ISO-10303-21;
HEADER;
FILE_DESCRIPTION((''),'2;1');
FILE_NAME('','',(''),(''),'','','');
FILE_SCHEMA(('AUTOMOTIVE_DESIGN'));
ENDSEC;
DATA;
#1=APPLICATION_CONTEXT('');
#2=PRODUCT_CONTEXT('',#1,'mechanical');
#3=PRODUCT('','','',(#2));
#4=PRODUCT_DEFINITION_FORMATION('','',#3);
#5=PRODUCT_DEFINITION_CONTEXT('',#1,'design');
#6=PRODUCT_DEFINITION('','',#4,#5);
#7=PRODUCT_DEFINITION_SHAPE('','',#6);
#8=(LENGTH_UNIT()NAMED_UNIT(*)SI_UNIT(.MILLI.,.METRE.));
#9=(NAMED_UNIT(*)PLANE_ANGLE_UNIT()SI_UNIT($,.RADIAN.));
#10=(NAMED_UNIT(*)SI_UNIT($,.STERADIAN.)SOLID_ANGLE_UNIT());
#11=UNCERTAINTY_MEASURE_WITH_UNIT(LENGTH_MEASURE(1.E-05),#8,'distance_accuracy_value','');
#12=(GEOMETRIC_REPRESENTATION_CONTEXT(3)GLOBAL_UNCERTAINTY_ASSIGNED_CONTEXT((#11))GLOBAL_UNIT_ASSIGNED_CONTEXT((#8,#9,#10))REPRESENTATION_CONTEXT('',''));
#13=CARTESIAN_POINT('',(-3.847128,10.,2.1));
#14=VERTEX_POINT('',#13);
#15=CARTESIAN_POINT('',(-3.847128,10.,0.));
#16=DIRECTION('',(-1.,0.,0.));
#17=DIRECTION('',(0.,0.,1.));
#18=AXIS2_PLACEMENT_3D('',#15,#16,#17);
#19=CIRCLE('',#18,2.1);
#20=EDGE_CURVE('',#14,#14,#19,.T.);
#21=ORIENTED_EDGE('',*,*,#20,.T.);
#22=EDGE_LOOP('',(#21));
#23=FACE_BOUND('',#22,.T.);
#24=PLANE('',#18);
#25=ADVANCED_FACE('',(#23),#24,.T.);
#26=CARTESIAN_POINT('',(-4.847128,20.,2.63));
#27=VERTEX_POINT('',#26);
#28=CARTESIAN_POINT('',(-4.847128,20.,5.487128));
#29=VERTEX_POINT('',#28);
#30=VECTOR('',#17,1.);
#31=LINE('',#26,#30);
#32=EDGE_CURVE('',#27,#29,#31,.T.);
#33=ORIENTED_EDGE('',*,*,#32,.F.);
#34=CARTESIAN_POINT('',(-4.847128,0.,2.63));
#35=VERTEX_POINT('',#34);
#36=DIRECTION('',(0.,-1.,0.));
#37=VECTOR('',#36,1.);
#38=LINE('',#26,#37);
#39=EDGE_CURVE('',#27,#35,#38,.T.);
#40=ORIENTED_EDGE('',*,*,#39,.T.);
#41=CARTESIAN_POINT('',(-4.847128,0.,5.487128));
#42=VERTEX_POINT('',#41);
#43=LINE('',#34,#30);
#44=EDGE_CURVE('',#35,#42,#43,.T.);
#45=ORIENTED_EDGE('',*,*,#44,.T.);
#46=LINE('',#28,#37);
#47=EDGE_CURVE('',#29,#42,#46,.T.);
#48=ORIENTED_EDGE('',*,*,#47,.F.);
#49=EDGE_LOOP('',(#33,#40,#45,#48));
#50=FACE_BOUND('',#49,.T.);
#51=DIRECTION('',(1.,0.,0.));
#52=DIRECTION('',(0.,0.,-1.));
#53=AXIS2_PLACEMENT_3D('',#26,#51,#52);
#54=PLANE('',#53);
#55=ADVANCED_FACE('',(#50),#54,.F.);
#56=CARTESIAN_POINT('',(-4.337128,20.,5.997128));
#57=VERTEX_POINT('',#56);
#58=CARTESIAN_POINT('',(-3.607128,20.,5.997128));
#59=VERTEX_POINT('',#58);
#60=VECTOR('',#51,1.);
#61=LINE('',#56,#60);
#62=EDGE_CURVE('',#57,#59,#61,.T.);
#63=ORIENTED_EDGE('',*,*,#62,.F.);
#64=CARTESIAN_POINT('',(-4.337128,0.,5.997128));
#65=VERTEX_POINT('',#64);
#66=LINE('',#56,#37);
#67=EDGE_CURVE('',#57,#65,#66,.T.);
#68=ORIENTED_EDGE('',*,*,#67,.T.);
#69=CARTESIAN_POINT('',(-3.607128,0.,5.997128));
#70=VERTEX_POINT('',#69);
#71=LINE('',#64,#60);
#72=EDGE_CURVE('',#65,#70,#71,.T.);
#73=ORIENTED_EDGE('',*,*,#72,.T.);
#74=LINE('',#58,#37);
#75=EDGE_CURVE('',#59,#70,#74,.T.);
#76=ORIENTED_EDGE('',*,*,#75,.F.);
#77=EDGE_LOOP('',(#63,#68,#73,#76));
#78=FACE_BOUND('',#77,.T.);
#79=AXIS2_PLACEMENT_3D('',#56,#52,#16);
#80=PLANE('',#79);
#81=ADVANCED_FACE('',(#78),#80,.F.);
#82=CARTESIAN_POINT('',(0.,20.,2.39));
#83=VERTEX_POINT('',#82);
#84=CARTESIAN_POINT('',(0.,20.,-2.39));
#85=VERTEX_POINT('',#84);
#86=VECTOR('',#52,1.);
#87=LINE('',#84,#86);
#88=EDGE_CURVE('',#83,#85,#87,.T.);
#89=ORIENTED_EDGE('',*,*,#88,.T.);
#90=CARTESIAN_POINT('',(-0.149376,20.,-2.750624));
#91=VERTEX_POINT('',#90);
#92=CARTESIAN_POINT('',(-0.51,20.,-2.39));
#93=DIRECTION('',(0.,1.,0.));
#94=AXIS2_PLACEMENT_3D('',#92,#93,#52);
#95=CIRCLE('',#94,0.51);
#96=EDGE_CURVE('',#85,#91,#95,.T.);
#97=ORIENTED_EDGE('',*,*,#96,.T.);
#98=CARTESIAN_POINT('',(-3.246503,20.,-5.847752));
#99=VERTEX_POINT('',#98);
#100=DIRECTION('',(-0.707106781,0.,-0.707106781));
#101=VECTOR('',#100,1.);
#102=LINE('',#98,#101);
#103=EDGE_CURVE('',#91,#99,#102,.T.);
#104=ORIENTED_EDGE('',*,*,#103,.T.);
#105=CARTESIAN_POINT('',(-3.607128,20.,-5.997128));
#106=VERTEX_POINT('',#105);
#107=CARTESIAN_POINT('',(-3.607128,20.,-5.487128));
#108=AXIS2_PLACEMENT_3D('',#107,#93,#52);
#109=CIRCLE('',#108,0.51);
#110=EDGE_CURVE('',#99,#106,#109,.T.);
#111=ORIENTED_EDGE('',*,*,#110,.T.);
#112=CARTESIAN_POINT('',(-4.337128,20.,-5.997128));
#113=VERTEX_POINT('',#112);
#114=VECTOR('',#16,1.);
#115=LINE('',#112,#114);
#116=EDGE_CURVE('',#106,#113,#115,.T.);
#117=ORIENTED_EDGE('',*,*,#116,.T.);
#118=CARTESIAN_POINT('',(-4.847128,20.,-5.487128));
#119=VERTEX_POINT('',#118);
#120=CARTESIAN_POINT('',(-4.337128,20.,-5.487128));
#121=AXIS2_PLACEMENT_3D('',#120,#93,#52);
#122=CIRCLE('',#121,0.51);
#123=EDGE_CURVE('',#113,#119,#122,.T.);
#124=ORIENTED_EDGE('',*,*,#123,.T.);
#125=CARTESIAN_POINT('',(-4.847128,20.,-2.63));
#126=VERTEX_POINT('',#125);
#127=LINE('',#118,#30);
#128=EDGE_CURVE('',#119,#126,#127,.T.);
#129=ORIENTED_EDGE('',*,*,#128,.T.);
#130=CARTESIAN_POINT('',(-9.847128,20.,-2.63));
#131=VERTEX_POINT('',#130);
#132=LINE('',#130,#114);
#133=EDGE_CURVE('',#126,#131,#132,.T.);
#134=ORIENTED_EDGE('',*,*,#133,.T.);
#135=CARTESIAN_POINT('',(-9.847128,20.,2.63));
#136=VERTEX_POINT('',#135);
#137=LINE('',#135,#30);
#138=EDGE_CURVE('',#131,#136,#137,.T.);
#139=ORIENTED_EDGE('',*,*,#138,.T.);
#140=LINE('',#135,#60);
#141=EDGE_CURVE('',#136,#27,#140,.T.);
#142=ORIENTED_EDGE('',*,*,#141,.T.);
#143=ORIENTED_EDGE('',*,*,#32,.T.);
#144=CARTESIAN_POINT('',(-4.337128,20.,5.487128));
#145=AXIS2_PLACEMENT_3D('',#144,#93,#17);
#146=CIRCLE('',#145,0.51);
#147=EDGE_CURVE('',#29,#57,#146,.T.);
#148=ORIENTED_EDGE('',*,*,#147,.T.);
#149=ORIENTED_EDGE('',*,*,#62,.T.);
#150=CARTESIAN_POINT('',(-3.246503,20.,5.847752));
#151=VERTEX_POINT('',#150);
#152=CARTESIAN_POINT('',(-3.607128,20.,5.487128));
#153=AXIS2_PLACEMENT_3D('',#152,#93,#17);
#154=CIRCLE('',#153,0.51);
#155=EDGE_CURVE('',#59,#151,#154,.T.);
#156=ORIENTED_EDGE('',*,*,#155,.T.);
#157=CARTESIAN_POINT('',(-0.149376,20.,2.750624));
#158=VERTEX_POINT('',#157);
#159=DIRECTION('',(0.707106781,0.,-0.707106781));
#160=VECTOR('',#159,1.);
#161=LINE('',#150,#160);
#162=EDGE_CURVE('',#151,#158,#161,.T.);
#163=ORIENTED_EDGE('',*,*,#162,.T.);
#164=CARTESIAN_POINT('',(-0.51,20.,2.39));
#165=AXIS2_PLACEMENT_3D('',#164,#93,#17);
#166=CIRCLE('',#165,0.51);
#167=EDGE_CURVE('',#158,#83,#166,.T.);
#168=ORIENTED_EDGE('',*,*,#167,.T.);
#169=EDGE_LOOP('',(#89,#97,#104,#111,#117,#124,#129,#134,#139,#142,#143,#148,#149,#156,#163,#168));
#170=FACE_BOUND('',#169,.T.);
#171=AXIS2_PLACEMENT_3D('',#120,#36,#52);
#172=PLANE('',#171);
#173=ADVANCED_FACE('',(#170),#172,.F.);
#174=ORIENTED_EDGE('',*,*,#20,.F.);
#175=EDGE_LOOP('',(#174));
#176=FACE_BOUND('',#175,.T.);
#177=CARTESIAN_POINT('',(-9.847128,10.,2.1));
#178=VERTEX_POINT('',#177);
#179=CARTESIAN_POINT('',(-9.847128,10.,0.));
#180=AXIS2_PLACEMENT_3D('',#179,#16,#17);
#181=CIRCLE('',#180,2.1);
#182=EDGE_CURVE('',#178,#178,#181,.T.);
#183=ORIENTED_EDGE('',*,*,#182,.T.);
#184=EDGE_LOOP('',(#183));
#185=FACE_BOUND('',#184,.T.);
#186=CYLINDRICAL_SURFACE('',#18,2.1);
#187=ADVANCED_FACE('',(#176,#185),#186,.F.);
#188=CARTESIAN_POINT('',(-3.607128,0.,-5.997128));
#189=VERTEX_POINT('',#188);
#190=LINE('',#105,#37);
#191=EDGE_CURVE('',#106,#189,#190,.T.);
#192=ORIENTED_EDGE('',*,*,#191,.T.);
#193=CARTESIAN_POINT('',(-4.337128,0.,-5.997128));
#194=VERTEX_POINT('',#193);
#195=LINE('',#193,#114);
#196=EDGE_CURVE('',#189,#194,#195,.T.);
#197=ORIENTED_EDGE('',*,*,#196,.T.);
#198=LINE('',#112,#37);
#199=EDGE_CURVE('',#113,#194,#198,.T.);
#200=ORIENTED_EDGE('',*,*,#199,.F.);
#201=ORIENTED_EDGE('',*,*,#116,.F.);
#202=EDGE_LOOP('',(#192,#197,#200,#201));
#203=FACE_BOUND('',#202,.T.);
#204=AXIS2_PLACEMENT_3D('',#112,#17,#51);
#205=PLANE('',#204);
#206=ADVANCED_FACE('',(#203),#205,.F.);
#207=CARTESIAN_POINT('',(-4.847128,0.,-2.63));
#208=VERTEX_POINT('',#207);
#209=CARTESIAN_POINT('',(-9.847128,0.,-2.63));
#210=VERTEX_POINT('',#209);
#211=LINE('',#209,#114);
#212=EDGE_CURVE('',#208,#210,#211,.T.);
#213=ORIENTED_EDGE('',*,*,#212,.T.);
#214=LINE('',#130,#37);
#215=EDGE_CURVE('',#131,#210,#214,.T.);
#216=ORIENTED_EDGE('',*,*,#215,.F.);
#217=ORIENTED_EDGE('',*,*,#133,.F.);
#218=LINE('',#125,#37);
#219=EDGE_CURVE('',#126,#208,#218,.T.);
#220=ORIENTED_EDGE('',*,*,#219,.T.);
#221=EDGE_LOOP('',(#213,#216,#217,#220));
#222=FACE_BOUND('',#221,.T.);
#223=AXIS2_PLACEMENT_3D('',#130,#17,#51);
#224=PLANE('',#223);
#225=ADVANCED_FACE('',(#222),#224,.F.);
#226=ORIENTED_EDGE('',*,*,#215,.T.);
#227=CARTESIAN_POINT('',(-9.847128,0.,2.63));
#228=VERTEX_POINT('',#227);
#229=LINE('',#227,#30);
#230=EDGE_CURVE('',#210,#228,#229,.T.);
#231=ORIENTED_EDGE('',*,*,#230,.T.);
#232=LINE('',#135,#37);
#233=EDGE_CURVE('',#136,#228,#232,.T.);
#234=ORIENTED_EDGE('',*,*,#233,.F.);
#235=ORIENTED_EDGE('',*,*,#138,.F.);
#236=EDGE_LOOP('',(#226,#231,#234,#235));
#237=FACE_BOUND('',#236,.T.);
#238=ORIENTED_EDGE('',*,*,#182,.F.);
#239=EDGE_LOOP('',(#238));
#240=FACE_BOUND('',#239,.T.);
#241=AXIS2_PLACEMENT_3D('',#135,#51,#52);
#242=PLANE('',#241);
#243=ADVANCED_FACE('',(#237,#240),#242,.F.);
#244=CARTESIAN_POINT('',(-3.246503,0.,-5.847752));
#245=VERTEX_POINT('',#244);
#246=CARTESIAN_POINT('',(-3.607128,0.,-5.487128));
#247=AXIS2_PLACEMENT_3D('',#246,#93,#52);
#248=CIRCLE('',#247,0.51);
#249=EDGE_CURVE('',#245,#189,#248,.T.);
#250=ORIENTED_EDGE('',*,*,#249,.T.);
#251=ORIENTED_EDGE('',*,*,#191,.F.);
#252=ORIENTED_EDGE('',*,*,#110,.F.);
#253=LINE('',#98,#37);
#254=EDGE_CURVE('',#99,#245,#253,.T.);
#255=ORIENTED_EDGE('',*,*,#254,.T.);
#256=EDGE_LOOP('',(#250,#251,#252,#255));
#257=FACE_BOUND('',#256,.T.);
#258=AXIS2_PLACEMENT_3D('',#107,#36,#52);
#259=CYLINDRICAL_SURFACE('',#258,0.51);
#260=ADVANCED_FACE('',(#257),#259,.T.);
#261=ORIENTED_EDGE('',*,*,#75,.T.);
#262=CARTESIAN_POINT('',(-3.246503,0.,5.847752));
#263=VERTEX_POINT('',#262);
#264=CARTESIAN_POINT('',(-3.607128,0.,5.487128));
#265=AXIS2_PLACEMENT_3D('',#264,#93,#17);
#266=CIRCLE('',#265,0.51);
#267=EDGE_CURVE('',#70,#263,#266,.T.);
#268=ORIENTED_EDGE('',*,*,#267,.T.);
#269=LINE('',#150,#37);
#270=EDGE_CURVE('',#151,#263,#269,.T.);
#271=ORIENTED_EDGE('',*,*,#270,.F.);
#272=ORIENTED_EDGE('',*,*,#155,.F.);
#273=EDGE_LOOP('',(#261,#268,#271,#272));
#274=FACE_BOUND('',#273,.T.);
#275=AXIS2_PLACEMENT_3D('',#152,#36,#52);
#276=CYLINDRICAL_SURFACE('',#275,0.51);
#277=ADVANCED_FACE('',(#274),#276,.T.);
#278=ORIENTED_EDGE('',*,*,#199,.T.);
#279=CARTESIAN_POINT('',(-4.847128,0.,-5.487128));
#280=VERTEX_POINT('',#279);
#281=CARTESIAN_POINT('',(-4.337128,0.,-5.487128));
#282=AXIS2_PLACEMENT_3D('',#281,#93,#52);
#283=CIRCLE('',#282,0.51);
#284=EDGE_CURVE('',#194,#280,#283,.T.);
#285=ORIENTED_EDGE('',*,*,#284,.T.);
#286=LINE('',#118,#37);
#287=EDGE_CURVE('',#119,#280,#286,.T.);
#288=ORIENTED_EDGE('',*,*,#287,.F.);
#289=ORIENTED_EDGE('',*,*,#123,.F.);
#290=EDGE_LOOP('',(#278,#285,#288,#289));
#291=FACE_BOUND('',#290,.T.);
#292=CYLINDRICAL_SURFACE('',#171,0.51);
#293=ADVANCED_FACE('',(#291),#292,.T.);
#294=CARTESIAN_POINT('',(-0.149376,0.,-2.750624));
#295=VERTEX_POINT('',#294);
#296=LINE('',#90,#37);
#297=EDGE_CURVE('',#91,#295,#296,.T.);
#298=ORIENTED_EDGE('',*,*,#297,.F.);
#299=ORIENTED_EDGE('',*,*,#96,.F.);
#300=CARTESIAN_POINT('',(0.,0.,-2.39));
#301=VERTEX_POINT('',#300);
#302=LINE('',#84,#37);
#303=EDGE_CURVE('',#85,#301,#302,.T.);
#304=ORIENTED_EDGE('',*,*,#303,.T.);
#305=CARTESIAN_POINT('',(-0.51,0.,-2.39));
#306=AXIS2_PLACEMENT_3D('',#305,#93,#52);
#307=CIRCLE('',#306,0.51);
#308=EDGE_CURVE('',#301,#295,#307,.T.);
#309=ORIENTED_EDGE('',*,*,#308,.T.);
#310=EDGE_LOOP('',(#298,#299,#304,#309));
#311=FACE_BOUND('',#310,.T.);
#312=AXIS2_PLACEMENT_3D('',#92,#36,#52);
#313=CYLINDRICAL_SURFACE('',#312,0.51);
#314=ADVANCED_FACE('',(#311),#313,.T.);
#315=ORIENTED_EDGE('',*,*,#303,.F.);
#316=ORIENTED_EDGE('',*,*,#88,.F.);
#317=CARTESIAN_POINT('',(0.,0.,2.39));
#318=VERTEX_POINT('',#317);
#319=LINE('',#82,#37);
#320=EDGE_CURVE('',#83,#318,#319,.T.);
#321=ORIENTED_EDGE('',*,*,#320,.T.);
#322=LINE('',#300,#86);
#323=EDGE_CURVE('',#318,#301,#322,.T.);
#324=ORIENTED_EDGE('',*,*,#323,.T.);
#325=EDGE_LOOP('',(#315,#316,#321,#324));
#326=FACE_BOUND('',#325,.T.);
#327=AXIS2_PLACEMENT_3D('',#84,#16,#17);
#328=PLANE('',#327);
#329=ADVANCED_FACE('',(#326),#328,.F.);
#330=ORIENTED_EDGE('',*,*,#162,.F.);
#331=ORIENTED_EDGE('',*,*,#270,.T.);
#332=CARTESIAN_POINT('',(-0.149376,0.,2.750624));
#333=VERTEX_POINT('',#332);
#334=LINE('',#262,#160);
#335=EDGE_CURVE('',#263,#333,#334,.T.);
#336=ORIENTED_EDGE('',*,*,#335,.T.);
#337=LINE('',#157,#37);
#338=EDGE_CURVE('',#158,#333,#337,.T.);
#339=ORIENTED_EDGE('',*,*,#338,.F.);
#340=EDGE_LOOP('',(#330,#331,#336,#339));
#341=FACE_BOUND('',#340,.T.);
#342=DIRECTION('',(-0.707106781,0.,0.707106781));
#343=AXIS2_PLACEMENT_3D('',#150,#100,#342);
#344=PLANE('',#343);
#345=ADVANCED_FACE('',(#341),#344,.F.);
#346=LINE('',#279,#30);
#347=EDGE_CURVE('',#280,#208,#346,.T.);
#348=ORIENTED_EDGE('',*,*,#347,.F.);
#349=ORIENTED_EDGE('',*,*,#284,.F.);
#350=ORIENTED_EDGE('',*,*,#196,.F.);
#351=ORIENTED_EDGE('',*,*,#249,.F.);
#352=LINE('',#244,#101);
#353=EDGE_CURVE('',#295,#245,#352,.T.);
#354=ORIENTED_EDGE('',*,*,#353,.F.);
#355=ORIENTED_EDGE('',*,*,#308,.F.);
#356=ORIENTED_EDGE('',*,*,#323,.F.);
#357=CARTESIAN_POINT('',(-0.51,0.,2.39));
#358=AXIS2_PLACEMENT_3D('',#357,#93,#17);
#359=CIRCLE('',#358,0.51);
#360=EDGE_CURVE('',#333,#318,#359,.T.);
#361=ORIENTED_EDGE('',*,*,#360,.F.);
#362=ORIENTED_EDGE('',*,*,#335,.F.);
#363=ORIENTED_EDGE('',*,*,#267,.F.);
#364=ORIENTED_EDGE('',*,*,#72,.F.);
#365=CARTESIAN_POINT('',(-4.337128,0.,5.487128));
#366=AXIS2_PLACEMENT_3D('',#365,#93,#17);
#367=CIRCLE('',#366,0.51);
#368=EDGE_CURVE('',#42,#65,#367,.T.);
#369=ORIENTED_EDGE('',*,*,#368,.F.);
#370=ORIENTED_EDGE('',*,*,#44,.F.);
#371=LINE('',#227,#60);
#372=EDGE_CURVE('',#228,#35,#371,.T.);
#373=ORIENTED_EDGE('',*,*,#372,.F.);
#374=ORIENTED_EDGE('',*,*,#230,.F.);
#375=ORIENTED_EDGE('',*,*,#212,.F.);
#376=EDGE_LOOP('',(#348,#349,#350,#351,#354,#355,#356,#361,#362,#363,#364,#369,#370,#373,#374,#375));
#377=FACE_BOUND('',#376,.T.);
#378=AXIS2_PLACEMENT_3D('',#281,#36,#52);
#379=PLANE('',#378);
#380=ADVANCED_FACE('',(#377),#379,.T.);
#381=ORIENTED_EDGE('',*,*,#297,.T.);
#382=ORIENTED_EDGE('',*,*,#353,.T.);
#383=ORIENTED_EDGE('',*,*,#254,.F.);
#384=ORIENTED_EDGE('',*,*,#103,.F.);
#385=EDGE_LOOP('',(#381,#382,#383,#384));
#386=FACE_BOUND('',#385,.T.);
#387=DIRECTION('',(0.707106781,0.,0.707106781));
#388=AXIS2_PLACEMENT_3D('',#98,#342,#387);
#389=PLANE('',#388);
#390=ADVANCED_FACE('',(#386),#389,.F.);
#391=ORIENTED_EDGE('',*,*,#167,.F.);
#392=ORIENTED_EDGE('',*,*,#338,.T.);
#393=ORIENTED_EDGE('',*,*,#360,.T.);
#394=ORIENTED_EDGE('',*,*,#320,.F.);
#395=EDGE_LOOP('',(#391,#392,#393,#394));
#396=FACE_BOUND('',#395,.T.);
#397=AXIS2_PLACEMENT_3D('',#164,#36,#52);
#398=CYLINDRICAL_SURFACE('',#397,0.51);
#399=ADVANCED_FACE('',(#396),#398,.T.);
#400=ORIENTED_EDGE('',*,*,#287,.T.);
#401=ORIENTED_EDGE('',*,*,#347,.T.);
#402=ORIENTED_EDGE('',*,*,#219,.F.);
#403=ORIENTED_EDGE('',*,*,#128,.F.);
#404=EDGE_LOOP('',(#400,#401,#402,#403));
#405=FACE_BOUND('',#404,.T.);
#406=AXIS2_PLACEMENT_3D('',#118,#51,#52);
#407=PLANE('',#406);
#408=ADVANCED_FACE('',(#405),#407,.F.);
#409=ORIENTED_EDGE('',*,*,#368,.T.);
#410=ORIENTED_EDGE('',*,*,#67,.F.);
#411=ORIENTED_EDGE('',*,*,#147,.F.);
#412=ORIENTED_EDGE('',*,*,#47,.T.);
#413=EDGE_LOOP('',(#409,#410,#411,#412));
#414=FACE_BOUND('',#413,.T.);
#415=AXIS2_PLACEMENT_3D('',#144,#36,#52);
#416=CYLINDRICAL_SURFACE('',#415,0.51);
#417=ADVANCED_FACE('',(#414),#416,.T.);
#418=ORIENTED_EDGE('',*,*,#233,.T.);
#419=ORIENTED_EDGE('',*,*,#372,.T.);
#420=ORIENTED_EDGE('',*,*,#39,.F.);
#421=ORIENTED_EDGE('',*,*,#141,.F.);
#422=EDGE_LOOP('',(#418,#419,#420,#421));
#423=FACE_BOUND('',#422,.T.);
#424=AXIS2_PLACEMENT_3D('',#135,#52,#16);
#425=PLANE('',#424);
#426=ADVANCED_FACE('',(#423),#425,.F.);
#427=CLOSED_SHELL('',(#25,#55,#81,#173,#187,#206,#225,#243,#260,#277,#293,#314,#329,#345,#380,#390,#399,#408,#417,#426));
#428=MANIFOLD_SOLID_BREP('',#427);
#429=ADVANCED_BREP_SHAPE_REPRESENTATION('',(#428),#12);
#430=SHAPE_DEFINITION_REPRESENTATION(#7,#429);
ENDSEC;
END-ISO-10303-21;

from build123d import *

# Parameters (mm, degrees)
BOSS_EXTRUDE1_DEPTH = 20
SKETCH2_R           = 2.1
CUT_EXTRUDE1_DEPTH  = 6


with BuildPart() as part:
    # Sketch1 → Boss-Extrude1 (new body)
    with BuildSketch(Plane(origin=(0, 0, 0), x_dir=(1, 0, 0), z_dir=(0, 1, 0))):
        with BuildLine():
            Line((-4.847127702, 5.487127702), (-4.847127702, 2.63))
            Line((-4.847127702, 2.63), (-9.847127702, 2.63))
            Line((-9.847127702, 2.63), (-9.847127702, -2.63))
            Line((-9.847127702, -2.63), (-4.847127702, -2.63))
            Line((-4.847127702, -2.63), (-4.847127702, -5.487127702))
            ThreePointArc((-4.847127702, -5.487127702), (-4.69775216, -5.84775216), (-4.337127702, -5.997127702))
            Line((-4.337127702, -5.997127702), (-3.607127702, -5.997127702))
            ThreePointArc((-3.607127702, -5.997127702), (-3.411959151, -5.958306263), (-3.246503243, -5.84775216))
            Line((-3.246503243, -5.84775216), (-0.149375542, -2.750624458))
            ThreePointArc((-0.149375542, -2.750624458), (-0.038821438, -2.585168551), (0, -2.39))
            Line((0, -2.39), (0, 2.39))
            ThreePointArc((0, 2.39), (-0.038821438, 2.585168551), (-0.149375542, 2.750624458))
            Line((-0.149375542, 2.750624458), (-3.246503243, 5.84775216))
            ThreePointArc((-3.246503243, 5.84775216), (-3.411959151, 5.958306263), (-3.607127702, 5.997127702))
            Line((-3.607127702, 5.997127702), (-4.337127702, 5.997127702))
            ThreePointArc((-4.337127702, 5.997127702), (-4.69775216, 5.84775216), (-4.847127702, 5.487127702))
        make_face()
    extrude(amount=BOSS_EXTRUDE1_DEPTH)

    # Sketch2 → Cut-Extrude1 (cut)
    with BuildSketch(Plane.ZY.offset(9.847127702)):
        with Locations((0, 10)):
            Circle(SKETCH2_R)
    extrude(amount=-CUT_EXTRUDE1_DEPTH, mode=Mode.SUBTRACT)


solid = part.part
